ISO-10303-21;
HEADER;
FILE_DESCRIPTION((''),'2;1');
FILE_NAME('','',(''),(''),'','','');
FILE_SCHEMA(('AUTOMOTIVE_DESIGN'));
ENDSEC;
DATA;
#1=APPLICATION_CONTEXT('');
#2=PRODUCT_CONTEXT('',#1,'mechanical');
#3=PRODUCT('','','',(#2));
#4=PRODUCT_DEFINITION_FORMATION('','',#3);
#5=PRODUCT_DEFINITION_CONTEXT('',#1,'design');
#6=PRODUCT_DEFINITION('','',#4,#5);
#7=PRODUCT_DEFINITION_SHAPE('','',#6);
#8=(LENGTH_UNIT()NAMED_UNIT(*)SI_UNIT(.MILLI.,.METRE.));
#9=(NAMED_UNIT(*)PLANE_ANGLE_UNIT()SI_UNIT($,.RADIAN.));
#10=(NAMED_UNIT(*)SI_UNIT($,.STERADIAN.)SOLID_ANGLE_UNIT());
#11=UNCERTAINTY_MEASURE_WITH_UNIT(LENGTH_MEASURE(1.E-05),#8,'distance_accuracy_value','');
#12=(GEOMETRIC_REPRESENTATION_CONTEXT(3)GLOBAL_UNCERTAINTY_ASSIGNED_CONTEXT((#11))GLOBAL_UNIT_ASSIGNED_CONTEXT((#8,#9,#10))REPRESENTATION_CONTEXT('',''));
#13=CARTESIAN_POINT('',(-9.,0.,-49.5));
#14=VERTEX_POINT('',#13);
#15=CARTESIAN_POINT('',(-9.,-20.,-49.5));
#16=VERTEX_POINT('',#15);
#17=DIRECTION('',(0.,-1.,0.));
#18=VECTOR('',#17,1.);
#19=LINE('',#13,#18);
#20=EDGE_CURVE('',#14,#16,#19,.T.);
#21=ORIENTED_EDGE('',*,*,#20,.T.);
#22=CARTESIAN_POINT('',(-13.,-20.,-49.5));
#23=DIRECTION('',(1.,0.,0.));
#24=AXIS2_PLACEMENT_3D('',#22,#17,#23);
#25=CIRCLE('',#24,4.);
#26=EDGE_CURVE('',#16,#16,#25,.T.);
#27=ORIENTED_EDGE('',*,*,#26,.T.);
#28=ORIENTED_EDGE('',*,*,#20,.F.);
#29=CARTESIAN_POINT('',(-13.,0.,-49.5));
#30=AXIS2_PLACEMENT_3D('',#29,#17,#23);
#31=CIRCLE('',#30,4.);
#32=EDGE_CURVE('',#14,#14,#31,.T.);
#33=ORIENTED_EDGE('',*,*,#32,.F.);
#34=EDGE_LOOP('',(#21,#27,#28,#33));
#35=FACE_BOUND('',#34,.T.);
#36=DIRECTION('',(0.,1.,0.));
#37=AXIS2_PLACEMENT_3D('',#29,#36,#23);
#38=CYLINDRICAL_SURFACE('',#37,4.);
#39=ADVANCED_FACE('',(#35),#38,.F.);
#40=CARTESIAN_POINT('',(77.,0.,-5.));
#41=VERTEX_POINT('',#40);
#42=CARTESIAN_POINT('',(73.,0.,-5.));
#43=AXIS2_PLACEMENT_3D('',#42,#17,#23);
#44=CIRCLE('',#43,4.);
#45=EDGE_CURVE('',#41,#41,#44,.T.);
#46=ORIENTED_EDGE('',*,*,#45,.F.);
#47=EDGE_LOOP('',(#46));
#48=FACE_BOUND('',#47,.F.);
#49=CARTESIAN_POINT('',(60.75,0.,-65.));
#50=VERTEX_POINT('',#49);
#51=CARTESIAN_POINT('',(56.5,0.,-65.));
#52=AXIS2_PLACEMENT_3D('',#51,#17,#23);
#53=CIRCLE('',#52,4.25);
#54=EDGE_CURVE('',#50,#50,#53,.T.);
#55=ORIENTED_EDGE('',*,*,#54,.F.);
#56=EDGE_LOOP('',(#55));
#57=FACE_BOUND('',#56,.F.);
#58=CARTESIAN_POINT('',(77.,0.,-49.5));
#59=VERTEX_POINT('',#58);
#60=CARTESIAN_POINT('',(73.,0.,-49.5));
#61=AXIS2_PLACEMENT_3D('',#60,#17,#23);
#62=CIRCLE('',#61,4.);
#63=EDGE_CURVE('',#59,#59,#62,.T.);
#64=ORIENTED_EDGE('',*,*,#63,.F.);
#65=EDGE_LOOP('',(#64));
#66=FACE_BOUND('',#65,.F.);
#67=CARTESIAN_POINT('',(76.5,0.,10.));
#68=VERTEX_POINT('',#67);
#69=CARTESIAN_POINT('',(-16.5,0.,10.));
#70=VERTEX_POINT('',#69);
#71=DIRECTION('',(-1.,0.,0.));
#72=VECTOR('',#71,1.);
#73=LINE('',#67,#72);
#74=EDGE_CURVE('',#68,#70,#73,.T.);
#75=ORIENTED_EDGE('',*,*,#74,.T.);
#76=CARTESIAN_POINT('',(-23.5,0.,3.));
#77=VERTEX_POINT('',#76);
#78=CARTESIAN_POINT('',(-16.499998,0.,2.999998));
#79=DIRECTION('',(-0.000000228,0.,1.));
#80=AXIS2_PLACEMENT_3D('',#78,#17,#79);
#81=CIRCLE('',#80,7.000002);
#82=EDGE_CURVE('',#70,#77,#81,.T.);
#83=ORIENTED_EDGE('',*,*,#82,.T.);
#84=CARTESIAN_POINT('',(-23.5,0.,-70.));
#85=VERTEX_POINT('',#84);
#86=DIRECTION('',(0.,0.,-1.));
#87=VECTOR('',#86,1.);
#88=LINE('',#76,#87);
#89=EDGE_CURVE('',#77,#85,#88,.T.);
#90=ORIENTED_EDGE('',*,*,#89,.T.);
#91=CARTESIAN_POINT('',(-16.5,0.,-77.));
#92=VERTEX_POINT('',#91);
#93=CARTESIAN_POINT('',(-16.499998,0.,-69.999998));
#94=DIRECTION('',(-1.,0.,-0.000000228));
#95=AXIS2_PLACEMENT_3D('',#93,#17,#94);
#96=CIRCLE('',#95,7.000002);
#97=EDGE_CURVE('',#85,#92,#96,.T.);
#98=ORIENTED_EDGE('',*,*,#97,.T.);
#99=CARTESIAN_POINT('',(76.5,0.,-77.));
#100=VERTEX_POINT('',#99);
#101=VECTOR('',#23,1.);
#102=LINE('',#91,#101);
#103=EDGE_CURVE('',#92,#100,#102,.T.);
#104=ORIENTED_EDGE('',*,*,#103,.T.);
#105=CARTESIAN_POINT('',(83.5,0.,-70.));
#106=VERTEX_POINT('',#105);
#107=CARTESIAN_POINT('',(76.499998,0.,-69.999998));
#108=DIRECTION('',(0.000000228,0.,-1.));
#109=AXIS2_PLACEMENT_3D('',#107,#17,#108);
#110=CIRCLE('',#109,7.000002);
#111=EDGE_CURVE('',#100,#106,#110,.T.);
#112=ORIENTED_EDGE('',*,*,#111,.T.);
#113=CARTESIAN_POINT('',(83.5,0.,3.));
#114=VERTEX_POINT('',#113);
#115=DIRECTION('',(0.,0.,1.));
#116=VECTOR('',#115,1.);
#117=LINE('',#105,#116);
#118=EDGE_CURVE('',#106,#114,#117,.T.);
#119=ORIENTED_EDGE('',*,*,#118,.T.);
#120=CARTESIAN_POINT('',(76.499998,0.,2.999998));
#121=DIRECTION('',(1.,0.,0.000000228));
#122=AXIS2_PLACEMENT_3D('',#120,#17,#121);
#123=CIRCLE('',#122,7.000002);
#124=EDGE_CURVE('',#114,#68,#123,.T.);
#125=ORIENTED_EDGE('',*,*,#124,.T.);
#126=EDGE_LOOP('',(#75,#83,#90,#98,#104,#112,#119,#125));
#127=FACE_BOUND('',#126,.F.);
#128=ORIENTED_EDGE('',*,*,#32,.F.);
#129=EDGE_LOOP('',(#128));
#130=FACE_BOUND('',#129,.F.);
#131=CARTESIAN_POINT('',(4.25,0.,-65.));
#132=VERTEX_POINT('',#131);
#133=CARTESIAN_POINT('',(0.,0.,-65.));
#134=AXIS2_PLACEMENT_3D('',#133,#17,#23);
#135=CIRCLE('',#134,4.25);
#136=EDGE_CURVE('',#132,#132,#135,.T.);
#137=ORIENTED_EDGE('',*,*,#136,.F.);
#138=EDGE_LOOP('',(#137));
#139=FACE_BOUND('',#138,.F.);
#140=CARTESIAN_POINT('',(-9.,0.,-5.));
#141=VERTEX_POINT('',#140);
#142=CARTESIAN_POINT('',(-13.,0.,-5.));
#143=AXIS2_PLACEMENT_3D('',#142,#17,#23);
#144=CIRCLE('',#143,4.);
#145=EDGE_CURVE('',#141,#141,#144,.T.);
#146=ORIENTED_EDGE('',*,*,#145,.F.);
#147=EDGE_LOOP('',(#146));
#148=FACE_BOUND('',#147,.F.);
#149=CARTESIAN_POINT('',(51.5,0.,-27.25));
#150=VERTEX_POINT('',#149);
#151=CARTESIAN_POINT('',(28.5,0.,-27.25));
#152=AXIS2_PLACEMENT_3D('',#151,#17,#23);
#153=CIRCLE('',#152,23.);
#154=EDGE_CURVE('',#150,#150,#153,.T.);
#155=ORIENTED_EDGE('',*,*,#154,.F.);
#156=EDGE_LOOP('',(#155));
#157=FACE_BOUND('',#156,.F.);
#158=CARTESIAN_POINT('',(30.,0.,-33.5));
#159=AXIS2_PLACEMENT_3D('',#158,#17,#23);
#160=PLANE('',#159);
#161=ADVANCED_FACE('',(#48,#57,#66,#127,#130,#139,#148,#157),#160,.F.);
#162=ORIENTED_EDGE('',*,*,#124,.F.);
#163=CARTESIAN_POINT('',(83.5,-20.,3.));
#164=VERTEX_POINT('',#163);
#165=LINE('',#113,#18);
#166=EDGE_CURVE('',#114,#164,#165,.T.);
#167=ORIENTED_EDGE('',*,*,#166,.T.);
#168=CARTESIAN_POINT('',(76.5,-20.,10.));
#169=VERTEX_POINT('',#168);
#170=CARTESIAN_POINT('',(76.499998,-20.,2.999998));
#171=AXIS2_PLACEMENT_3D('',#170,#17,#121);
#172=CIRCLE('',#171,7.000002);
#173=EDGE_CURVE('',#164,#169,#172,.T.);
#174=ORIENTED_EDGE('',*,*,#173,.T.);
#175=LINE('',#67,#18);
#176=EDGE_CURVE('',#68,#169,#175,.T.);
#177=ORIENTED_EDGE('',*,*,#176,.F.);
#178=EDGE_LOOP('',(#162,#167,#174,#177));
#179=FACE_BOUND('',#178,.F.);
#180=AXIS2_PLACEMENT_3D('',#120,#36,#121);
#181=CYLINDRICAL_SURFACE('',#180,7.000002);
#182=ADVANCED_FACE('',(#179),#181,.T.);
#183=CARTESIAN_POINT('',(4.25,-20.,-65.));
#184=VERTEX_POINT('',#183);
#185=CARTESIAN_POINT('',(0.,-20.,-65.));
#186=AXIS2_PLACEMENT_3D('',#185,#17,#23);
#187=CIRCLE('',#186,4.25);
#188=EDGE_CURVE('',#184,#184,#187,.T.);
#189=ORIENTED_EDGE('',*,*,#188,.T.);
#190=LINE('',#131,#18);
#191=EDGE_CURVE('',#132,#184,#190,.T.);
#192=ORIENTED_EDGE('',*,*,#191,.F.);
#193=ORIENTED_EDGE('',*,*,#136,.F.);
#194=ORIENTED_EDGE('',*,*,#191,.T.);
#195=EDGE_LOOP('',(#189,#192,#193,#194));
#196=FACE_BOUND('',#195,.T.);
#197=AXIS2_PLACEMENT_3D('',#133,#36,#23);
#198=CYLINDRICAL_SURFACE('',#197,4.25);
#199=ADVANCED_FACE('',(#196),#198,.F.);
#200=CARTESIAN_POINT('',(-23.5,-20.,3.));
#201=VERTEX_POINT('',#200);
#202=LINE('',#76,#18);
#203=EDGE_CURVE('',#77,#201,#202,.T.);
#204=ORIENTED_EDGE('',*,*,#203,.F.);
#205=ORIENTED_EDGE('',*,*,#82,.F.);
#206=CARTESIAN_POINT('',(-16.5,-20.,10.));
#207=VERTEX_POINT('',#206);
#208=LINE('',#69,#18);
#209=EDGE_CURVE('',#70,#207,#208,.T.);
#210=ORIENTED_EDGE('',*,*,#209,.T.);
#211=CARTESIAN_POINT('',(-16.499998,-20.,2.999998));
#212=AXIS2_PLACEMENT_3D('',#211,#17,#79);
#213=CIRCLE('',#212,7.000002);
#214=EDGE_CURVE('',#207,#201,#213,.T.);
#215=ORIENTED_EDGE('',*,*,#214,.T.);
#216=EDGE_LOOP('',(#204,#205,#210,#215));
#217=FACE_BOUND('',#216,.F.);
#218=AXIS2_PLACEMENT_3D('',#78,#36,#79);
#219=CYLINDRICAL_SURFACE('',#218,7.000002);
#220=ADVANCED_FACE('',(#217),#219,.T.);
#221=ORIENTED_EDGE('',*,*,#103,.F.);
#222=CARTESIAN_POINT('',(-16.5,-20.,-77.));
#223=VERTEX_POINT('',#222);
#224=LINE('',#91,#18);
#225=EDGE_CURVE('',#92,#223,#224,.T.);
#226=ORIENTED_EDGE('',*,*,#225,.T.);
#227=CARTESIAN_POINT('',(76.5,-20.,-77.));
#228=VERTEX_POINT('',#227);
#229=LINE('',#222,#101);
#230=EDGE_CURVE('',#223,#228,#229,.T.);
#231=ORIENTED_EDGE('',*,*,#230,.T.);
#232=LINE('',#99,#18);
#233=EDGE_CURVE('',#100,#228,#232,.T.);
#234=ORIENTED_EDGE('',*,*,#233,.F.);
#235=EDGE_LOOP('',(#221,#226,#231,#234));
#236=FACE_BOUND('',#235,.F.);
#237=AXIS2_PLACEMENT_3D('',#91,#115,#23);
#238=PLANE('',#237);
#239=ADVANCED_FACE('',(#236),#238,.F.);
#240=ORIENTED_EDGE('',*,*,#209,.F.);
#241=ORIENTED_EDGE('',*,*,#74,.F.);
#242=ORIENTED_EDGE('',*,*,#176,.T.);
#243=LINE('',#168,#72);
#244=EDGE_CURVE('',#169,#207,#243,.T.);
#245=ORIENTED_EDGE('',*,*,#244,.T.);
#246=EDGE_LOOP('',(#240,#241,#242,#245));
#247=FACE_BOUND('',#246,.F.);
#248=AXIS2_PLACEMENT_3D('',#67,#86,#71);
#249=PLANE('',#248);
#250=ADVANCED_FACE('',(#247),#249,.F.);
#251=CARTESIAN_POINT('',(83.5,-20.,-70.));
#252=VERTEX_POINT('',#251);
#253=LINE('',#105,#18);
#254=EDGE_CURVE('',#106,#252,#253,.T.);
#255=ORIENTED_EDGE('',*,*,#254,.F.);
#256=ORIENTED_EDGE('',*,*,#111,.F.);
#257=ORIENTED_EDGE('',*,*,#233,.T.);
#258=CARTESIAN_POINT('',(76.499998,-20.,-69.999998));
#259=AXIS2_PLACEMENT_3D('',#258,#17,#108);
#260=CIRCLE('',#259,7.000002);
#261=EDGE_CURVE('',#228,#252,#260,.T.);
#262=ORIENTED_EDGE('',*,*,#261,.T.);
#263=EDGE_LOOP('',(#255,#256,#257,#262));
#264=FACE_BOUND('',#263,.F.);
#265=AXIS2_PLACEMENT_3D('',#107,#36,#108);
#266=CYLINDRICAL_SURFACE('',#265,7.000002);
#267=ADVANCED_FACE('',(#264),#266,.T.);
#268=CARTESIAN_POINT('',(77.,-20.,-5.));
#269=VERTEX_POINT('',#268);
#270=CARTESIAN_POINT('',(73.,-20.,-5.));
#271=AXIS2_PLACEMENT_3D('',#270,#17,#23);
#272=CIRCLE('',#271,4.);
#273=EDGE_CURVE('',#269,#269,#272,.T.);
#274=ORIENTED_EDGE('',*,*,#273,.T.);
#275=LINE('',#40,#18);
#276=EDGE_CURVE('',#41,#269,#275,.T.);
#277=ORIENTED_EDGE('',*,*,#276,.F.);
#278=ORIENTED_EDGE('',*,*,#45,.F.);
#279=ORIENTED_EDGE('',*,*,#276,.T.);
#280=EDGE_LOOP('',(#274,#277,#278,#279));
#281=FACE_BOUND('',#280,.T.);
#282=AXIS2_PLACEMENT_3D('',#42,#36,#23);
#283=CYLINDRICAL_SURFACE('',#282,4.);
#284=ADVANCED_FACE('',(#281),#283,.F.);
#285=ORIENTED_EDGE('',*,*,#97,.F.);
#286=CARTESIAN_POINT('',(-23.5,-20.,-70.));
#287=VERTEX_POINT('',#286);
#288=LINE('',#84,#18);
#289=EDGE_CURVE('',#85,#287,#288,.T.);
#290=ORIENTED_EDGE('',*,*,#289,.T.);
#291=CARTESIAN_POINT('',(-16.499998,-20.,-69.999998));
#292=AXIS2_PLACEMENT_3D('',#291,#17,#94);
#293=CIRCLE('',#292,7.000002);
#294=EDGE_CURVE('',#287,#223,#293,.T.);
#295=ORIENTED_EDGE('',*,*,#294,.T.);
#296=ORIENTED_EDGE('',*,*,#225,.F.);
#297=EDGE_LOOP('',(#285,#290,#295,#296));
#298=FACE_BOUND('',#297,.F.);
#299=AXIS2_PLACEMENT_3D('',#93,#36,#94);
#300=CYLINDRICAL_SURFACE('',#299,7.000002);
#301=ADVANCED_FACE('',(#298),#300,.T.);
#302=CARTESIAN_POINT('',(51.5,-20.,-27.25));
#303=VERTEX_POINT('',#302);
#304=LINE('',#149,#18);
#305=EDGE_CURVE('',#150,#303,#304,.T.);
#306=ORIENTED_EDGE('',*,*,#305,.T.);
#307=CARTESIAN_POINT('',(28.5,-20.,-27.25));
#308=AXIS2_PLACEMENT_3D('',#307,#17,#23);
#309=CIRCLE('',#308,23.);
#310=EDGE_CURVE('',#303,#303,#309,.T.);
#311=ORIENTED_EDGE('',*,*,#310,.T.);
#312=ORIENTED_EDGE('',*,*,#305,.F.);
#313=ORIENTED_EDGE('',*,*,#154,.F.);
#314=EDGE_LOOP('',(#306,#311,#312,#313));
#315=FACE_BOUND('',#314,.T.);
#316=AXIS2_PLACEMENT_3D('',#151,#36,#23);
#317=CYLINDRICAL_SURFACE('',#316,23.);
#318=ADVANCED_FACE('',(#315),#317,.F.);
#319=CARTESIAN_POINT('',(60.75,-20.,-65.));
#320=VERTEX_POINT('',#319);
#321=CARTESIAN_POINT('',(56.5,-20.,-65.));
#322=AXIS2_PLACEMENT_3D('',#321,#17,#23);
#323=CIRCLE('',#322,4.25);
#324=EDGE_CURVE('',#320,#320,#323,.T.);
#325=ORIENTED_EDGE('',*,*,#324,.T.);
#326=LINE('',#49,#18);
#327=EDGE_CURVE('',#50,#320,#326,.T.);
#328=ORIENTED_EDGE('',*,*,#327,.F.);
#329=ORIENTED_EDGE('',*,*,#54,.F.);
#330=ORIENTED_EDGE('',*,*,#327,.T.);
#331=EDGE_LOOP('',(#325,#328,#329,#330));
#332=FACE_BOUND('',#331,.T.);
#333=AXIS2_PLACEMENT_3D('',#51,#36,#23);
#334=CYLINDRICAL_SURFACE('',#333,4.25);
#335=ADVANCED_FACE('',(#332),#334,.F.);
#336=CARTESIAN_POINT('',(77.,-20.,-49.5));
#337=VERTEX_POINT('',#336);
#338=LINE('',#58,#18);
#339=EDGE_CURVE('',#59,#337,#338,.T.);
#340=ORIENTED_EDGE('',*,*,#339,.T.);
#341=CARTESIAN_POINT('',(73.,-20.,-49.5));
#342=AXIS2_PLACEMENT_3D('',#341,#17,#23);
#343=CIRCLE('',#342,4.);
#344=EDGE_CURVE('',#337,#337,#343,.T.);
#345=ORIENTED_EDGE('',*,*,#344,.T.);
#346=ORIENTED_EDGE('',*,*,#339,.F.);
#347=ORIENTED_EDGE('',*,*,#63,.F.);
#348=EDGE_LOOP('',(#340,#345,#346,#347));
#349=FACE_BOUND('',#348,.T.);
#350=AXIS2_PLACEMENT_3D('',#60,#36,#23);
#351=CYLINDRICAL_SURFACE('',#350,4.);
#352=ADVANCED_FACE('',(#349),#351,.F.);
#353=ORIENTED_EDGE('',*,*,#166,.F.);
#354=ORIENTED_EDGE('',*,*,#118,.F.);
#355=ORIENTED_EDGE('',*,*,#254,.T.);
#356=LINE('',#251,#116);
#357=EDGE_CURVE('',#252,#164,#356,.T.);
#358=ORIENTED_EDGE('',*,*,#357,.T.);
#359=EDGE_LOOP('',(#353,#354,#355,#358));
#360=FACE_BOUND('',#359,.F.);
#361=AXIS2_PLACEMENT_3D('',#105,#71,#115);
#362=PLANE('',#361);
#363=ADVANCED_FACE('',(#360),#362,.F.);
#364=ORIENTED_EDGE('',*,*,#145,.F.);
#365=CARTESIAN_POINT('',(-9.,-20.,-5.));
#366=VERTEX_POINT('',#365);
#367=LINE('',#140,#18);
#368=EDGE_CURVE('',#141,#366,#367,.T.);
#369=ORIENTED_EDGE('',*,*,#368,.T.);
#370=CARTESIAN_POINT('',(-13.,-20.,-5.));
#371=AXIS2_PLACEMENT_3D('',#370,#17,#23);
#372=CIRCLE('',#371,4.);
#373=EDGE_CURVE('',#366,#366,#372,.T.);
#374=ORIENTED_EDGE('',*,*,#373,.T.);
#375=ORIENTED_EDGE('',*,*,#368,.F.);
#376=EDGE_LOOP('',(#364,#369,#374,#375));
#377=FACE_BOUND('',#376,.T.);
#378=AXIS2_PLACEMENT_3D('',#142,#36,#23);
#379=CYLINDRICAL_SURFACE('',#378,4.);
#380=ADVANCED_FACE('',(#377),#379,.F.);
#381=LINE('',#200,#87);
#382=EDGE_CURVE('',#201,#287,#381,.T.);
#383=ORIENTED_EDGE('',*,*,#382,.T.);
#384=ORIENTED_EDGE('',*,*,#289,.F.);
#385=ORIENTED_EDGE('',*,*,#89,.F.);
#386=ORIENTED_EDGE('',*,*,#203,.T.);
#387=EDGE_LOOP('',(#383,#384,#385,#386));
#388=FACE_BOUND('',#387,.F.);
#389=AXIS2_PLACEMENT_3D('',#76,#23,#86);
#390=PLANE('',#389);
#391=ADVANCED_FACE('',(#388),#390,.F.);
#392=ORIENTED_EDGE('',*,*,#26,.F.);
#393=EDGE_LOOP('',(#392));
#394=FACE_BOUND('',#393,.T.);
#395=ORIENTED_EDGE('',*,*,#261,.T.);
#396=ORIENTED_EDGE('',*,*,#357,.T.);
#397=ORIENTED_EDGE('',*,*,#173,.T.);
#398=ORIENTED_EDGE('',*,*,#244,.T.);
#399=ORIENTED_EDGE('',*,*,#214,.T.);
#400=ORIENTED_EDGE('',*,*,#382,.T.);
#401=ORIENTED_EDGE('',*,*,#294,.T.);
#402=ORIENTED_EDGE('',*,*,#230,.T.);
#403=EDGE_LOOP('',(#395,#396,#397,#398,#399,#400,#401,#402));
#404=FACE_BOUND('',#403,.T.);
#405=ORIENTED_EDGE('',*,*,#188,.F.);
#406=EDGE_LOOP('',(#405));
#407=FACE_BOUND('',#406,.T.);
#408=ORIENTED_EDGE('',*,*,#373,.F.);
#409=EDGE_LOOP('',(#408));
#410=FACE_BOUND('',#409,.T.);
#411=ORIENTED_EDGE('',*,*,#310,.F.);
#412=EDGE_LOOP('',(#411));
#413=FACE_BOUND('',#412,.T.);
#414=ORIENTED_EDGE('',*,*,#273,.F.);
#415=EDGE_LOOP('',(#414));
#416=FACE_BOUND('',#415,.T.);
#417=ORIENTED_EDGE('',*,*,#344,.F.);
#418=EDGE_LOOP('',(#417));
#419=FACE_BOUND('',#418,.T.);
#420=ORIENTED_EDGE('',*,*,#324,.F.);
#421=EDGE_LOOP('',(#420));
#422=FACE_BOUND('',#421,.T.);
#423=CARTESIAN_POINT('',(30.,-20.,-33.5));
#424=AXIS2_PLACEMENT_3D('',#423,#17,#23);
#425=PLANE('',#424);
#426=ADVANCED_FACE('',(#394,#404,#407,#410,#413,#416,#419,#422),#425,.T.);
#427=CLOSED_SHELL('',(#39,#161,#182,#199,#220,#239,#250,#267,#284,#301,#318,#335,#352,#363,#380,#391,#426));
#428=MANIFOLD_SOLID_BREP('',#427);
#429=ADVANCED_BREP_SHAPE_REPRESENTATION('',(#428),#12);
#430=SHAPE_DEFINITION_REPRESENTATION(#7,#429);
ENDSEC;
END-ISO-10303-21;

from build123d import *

# Parameters (mm, degrees)
F0_R     = 4.25
F0_R_2   = 4
F0_R_3   = 23
F0_R_4   = 3.35
F1_DEPTH = 20


with BuildPart() as f1:
    # F0 (on Front) → F1 (new body)
    with BuildSketch(Plane.XZ):
        with BuildLine():
            Line((76.5, 10), (-16.5, 10))
            ThreePointArc((-16.5, 10), (-21.449747, 7.949747), (-23.5, 3))
            Line((-23.5, 3), (-23.5, -70))
            ThreePointArc((-23.5, -70), (-21.449747, -74.949747), (-16.5, -77))
            Line((-16.5, -77), (76.5, -77))
            ThreePointArc((76.5, -77), (81.449747, -74.949747), (83.5, -70))
            Line((83.5, -70), (83.5, 3))
            ThreePointArc((83.5, 3), (81.449747, 7.949747), (76.5, 10))
        make_face()
        with Locations((0, -65)):
            Circle(F0_R, mode=Mode.SUBTRACT)
        with Locations((-13, -49.5)):
            Circle(F0_R_2, mode=Mode.SUBTRACT)
        with Locations((56.5, -65)):
            Circle(F0_R, mode=Mode.SUBTRACT)
        with Locations((73, -49.5)):
            Circle(F0_R_2, mode=Mode.SUBTRACT)
        with Locations((28.5, -27.25)):
            Circle(F0_R_3, mode=Mode.SUBTRACT)
        with Locations((-13, -5)):
            Circle(F0_R_2, mode=Mode.SUBTRACT)
        Circle(F0_R_4, mode=Mode.SUBTRACT)
        with Locations((56.5, 0)):
            Circle(F0_R_4, mode=Mode.SUBTRACT)
        with Locations((73, -5)):
            Circle(F0_R_2, mode=Mode.SUBTRACT)
        Circle(F0_R_4)
        with Locations((56.5, 0)):
            Circle(F0_R_4)
    extrude(amount=F1_DEPTH)


solid = f1.part
